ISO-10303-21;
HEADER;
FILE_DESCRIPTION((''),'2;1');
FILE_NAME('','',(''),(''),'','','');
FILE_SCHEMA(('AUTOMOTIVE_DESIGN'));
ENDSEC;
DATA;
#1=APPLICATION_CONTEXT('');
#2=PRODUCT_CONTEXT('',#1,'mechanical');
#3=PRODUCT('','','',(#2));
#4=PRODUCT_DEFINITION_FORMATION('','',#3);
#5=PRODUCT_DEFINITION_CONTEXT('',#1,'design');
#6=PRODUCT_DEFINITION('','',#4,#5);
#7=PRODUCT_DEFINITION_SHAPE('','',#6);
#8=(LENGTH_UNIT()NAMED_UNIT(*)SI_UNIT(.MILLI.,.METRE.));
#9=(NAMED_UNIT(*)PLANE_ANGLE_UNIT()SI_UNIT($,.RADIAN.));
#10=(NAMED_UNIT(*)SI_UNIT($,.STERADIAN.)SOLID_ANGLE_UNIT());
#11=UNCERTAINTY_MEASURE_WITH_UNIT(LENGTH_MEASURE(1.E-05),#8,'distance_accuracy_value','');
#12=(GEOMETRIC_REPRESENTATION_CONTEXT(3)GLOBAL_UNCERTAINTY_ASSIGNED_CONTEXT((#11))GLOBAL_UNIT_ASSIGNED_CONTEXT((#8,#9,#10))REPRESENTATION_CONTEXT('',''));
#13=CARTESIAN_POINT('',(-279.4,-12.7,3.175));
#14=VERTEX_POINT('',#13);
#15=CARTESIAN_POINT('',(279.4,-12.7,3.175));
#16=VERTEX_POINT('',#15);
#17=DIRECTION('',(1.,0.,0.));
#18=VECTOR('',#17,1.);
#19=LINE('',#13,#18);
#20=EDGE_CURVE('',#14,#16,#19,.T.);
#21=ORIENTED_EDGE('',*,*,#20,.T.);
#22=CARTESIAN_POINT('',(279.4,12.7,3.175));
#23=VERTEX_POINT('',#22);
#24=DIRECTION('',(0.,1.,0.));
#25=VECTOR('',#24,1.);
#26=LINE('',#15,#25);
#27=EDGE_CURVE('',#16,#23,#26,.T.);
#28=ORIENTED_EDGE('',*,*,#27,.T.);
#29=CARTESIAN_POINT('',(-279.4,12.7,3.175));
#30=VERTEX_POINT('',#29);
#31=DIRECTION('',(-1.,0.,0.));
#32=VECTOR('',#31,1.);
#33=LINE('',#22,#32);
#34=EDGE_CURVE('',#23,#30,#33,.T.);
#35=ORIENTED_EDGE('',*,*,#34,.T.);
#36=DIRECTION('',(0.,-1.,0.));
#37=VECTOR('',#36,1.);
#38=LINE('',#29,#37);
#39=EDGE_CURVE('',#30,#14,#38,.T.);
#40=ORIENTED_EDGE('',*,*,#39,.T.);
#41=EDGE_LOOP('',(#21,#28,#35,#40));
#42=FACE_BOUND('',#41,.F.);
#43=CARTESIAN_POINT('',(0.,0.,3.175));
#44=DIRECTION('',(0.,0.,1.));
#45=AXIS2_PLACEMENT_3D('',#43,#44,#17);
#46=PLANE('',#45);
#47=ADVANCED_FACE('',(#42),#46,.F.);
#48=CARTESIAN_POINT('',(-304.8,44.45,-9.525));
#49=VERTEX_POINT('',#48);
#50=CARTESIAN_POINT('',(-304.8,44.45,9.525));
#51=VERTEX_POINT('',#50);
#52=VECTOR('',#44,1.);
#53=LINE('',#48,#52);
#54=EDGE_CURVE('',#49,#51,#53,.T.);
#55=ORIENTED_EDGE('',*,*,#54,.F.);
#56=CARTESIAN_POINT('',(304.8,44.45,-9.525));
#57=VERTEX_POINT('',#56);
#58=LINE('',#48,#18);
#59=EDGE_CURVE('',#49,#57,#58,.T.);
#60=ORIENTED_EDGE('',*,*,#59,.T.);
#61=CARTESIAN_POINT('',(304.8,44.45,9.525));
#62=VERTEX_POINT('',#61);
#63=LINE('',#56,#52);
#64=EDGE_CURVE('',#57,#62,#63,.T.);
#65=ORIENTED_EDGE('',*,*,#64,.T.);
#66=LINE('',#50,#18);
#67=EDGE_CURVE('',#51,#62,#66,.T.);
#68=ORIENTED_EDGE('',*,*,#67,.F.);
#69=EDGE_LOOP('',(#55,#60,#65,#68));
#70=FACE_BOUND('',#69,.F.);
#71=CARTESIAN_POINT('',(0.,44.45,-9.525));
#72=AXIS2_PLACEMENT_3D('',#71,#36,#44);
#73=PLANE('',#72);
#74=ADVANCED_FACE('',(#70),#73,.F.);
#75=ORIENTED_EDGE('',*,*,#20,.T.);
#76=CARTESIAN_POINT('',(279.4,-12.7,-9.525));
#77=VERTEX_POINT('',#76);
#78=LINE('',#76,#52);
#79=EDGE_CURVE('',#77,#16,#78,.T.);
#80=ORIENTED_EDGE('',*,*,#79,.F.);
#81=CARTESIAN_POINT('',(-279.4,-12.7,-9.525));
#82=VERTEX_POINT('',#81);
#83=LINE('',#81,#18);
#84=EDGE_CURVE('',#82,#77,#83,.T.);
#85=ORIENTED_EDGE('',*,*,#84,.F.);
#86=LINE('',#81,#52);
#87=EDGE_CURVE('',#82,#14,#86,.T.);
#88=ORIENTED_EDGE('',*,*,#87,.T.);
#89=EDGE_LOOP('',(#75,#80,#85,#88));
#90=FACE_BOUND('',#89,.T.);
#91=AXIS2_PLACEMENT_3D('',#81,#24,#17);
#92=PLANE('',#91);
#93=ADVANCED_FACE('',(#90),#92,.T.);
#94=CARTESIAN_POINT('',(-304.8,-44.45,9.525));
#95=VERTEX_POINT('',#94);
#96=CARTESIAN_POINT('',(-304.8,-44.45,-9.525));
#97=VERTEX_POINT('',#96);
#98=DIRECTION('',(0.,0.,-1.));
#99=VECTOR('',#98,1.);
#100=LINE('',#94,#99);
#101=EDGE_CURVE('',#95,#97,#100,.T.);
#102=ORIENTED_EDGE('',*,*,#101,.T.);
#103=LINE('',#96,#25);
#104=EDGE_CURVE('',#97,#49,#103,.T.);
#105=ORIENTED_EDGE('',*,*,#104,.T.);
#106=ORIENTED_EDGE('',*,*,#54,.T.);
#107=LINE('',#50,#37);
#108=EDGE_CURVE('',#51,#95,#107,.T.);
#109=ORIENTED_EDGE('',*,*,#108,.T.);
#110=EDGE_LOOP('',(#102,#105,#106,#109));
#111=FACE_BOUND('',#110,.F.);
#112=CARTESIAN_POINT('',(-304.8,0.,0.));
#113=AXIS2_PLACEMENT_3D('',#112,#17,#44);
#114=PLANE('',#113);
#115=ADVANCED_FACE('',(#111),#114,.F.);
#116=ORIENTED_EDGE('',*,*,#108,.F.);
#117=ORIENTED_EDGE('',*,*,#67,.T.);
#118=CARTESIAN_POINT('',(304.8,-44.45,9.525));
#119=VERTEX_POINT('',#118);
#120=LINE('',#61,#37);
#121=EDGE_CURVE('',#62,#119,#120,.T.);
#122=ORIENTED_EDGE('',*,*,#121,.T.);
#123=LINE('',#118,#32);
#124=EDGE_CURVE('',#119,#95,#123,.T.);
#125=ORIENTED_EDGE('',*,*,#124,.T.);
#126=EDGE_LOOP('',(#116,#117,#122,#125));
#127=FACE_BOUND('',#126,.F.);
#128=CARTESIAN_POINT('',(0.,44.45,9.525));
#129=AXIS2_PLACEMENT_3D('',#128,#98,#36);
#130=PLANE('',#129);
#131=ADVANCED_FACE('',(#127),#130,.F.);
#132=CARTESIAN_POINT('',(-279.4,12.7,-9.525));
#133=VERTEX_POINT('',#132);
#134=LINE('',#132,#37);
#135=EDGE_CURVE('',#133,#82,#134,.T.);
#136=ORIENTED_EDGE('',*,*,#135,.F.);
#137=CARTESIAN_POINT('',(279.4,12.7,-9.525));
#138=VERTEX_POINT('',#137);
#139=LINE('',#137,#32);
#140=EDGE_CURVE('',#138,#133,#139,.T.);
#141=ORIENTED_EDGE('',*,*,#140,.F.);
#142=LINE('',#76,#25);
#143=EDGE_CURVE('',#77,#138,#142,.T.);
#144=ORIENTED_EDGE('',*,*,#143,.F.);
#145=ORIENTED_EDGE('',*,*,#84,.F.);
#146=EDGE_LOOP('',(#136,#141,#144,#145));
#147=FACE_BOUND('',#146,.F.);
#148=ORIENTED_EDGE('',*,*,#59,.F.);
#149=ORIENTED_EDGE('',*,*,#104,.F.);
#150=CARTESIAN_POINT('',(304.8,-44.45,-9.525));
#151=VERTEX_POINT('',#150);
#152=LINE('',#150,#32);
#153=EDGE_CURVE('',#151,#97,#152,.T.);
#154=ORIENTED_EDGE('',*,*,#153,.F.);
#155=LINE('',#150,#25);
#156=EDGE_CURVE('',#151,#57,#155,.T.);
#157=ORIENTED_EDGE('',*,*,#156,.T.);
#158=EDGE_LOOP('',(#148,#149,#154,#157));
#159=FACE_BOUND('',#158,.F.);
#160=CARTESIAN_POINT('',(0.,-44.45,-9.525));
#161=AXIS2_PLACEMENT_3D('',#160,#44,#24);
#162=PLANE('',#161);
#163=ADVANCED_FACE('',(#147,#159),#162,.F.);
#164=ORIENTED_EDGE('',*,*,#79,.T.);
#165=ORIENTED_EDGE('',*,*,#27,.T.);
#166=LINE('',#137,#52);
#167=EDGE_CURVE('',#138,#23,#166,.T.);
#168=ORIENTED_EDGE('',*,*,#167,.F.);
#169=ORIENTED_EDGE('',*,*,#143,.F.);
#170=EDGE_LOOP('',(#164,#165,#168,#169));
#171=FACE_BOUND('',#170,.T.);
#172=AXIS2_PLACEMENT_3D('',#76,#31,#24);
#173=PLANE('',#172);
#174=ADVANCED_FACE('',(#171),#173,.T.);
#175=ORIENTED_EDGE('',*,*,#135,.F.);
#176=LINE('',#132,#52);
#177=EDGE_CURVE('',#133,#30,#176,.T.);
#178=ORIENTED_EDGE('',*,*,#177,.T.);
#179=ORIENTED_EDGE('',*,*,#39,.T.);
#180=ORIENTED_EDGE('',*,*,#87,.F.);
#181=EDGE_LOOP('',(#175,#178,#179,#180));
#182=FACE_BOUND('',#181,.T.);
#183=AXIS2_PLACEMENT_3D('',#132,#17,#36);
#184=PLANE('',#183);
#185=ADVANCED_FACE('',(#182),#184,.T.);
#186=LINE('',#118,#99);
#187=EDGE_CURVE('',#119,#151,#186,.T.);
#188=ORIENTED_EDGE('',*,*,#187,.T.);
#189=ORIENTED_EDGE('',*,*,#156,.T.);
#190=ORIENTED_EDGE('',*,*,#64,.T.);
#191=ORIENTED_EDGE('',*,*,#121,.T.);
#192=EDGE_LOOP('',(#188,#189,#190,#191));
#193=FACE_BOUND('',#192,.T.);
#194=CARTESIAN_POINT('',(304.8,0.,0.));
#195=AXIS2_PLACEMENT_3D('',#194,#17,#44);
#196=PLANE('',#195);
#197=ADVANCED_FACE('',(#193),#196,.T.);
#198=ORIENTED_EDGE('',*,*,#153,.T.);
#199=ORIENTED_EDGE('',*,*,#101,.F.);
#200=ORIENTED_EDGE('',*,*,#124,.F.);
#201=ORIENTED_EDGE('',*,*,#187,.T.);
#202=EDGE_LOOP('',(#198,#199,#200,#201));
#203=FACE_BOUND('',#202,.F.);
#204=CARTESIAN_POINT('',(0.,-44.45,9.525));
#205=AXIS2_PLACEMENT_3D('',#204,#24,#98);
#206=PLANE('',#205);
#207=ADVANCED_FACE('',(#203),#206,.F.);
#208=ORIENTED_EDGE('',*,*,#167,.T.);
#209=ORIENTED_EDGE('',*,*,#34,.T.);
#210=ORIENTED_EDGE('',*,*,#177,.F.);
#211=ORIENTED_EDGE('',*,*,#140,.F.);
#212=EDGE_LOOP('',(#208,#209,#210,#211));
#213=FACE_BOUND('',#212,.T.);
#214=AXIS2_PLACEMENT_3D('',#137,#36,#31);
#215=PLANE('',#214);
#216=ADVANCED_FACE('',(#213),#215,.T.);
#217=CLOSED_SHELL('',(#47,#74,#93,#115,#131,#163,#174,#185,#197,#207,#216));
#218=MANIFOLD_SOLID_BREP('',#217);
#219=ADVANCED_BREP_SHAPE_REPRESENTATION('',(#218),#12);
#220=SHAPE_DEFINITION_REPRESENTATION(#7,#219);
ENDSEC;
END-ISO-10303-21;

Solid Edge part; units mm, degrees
sketch "Sketch1" plane through (0, 0, 0) normal (1, 0, 0) x (0, 1, 0)
  line L0 (-44.45, -9.525) -> (44.45, -9.525)
  line L1 (44.45, -9.525) -> (44.45, 9.525)
  line L2 (44.45, 9.525) -> (-44.45, 9.525)
  line L3 (-44.45, 9.525) -> (-44.45, -9.525)
  dimension "D1" = 88.9
  dimension "D2" = 19.05
extrude "Protrusion1" add sketch "Sketch1" along normal mid plane 609.6
sketch "Sketch2" plane through (0, 0, -9.525) normal (0, 0, -1) x (1, 0, 0)
  line L0 (-279.4, 12.7) -> (279.4, 12.7)
  line L1 (279.4, 12.7) -> (279.4, -12.7)
  line L2 (279.4, -12.7) -> (-279.4, -12.7)
  line L3 (-279.4, -12.7) -> (-279.4, 12.7)
  dimension "D1" = 25.4
  dimension "D2" = 25.4
extrude "ExtrudedCutout_1" cut sketch "Sketch2" against normal blind 12.7
properties material "Wood, Pine"
